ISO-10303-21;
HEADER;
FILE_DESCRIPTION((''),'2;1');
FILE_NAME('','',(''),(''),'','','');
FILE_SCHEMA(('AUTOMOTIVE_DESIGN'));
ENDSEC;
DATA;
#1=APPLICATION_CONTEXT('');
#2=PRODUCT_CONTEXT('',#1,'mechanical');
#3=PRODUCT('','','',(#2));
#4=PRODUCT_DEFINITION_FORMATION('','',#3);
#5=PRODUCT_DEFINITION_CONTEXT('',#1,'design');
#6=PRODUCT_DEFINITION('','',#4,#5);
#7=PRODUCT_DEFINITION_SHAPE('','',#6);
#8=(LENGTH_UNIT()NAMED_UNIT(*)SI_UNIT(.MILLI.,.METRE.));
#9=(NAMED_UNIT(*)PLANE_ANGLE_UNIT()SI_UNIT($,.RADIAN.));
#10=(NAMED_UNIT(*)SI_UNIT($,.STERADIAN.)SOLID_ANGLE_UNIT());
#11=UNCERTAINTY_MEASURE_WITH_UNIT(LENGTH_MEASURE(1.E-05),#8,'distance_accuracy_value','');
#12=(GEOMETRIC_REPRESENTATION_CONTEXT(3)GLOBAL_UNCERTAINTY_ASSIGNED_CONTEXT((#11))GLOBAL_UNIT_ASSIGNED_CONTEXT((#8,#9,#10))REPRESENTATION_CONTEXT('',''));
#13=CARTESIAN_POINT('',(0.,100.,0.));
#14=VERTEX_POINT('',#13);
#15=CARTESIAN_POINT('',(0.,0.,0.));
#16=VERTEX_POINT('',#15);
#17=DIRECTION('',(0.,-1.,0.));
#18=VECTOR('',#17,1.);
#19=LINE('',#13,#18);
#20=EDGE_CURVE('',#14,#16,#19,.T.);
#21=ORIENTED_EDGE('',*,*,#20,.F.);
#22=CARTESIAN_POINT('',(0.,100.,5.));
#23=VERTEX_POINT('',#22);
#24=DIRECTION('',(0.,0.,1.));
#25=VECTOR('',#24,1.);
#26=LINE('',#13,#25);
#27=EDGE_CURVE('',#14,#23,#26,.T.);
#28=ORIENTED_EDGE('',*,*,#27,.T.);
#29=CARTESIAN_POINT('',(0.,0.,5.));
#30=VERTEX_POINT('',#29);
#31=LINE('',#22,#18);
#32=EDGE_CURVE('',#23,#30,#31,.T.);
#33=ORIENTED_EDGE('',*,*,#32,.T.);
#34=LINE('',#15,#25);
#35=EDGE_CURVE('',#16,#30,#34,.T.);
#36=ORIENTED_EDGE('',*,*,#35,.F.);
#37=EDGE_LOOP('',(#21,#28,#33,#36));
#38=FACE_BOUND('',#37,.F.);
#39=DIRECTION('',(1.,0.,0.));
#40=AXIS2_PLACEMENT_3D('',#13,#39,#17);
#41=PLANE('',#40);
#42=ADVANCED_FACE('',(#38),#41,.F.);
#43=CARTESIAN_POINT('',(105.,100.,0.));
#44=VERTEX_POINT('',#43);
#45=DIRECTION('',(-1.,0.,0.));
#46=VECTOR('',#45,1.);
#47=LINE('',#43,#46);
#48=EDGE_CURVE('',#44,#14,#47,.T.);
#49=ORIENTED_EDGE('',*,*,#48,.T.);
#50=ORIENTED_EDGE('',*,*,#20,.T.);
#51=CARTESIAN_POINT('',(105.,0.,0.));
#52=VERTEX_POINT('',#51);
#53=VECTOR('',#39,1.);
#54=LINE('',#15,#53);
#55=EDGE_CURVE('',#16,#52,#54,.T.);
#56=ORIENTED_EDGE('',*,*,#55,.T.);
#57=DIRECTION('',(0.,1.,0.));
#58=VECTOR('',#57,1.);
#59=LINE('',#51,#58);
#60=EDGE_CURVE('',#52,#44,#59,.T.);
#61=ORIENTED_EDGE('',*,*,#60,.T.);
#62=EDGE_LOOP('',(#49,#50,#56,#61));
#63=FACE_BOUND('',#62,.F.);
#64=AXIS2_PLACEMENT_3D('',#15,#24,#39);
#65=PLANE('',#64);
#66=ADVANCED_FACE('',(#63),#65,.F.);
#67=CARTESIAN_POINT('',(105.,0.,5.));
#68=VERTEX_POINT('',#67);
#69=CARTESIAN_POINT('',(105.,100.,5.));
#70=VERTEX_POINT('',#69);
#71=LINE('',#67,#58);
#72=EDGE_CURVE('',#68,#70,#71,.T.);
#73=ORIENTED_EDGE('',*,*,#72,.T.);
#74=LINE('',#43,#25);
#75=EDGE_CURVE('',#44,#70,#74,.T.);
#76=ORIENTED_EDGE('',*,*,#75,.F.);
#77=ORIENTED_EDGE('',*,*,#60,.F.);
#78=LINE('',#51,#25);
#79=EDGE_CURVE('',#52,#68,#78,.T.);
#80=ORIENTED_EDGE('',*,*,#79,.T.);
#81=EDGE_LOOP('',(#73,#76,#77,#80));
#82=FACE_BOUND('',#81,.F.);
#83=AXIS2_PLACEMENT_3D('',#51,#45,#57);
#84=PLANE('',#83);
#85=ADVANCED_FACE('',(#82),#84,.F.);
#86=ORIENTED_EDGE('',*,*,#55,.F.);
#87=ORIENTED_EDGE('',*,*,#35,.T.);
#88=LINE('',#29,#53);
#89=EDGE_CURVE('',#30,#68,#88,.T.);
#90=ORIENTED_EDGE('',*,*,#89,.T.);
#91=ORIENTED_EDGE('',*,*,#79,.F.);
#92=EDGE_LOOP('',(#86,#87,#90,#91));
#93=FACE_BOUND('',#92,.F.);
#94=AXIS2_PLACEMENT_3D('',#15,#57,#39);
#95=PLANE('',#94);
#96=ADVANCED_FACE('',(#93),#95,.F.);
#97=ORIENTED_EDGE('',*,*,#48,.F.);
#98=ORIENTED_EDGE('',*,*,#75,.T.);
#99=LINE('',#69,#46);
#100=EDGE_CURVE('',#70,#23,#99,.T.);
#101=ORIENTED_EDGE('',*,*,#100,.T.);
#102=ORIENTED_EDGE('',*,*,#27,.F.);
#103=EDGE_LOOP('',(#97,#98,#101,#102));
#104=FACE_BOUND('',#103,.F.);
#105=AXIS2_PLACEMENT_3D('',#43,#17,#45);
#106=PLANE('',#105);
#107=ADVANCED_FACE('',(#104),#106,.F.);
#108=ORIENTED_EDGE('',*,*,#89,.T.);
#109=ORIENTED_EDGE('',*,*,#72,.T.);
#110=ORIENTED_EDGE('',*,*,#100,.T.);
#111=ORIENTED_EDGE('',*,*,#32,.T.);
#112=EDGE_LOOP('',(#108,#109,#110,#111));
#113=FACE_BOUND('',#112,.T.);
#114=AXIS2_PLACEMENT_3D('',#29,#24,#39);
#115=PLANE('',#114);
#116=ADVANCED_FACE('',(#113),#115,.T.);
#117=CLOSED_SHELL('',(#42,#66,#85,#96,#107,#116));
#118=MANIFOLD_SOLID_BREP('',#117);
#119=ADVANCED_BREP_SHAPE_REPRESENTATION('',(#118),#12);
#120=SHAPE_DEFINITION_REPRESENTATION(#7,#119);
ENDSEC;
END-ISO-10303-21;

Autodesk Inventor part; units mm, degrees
ref_plane "YZ Plane" through (0, 0, 0) normal (1, 0, 0) x (0, 1, 0)
ref_plane "XZ Plane" through (0, 0, 0) normal (0, 1, 0) x (-1, 0, 0)
ref_plane "XY Plane" through (0, 0, 0) normal (0, 0, 1) x (1, 0, 0)
sketch "Sketch1" plane through (0, 0, 0) normal (0, 0, 1) x (1, 0, 0)
  line L0 (0, 0) -> (105, 0)
  line L1 (105, 0) -> (105, 100)
  line L2 (105, 100) -> (0, 100)
  line L3 (0, 100) -> (0, 0)
  dimension "d0" = 105
  dimension "d1" = 100
extrude "Extrusion1" add sketch "Sketch1" along normal blind 5
properties part number "Wall"
